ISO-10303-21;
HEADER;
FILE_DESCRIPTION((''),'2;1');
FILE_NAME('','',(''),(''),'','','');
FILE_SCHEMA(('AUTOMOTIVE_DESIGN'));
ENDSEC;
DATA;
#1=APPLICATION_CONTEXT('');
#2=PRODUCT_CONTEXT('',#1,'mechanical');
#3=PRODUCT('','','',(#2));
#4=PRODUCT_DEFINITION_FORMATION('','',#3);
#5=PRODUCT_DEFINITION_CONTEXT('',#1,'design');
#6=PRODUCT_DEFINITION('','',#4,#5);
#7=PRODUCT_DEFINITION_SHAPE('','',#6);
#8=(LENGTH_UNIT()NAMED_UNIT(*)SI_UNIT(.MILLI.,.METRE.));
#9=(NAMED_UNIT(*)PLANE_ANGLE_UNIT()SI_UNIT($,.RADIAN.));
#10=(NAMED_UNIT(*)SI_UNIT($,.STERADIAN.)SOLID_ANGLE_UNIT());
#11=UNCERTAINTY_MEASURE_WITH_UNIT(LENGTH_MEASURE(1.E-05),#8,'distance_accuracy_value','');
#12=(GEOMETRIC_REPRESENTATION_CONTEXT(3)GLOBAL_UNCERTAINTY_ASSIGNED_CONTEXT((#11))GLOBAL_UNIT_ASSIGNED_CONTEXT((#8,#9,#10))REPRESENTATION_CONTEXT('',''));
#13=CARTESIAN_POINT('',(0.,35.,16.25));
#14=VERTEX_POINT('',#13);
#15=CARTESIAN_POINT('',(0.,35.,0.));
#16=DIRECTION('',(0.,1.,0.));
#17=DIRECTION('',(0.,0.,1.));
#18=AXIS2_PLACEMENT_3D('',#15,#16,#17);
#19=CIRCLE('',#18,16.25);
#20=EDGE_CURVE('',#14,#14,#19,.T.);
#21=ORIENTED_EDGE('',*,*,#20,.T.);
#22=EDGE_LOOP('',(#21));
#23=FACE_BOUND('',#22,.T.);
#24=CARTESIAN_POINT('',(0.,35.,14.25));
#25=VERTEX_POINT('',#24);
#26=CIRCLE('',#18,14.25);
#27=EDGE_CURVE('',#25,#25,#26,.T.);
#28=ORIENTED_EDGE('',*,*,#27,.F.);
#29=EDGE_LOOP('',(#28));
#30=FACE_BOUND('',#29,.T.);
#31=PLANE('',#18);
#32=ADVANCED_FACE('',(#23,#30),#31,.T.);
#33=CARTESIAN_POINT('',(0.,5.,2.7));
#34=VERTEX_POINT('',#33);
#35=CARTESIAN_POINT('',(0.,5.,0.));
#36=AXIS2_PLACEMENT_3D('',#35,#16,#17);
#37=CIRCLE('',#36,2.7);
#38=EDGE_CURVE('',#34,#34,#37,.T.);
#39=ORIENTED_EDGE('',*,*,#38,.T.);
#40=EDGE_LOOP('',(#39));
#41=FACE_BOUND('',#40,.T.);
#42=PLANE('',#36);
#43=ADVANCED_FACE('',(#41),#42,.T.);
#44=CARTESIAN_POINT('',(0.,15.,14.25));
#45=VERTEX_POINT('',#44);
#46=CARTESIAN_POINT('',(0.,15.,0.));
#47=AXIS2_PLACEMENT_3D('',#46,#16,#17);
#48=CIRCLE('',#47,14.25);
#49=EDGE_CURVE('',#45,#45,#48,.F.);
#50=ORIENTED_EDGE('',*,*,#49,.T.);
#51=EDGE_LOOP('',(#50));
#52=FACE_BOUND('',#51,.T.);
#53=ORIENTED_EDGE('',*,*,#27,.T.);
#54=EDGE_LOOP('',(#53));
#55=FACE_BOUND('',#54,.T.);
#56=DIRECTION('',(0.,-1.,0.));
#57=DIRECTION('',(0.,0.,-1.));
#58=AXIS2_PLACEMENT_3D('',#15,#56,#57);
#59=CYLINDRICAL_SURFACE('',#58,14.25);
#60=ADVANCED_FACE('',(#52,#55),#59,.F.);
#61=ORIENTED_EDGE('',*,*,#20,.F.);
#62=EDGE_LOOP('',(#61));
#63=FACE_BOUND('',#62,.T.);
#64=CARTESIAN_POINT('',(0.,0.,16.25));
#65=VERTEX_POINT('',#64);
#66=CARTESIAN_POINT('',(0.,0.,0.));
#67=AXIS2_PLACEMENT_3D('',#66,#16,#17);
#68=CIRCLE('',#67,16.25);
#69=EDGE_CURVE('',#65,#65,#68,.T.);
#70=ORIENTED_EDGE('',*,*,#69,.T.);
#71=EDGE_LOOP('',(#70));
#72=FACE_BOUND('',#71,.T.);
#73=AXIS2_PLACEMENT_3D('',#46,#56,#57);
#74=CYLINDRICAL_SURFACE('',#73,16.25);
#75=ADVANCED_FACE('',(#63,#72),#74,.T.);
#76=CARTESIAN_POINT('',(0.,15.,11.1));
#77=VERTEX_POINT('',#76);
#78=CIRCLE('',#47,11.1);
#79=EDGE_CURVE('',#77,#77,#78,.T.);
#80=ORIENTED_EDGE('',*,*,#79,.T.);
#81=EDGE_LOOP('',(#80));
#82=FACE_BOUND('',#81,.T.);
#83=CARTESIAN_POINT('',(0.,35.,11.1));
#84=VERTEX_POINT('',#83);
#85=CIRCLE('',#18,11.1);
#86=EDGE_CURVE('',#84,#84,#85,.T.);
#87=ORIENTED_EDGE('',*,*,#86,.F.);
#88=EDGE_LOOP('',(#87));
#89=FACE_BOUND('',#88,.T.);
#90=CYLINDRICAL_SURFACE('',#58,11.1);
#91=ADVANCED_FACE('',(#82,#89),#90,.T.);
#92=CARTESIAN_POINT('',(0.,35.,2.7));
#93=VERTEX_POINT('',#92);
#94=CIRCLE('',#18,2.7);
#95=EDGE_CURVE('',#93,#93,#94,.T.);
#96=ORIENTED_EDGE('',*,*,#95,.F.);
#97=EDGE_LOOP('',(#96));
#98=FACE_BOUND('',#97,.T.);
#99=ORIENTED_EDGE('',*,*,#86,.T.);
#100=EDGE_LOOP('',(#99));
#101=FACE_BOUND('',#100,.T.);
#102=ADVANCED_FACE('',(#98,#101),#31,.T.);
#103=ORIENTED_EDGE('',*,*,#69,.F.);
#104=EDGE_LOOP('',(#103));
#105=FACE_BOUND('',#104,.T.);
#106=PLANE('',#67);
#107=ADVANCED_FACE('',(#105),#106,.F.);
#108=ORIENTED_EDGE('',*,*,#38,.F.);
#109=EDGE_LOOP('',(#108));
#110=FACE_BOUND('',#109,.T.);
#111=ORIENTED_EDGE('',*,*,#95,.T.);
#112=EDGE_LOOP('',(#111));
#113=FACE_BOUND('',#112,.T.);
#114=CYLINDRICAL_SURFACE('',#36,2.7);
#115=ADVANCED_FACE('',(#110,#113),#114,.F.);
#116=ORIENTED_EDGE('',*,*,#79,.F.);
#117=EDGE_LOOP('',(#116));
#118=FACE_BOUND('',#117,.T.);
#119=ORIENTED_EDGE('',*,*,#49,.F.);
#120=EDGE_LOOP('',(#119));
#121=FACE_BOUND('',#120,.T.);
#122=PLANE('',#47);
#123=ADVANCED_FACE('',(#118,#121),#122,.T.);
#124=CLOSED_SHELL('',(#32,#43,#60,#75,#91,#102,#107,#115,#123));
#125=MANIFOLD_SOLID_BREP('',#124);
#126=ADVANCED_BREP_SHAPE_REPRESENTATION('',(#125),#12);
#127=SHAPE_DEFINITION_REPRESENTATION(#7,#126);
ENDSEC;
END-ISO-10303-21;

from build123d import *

# Parameters (mm, degrees)
SKETCH1_R           = 16.25
BOSS_EXTRUDE1_DEPTH = 15
SKETCH2_R           = 11.1
BOSS_EXTRUDE2_DEPTH = 20
SKETCH3_R           = 16.25
SKETCH3_R_2         = 14.25
BOSS_EXTRUDE4_DEPTH = 20
SKETCH4_R           = 2.7
CUT_EXTRUDE1_DEPTH  = 30


with BuildPart() as part:
    # Sketch1 → Boss-Extrude1 (new body)
    with BuildSketch(Plane(origin=(0, 0, 0), x_dir=(1, 0, 0), z_dir=(0, 1, 0))):
        with Locations(Location((0, 0, 0), (0, 0, 270))):
            Circle(SKETCH1_R)
    extrude(amount=BOSS_EXTRUDE1_DEPTH)

    # Sketch2 → Boss-Extrude2 (add)
    with BuildSketch(Plane(origin=(0, 15, 0), x_dir=(1, 0, 0), z_dir=(0, 1, 0))):
        with Locations(Location((0, 0, 0), (0, 0, 270))):
            Circle(SKETCH2_R)
    extrude(amount=BOSS_EXTRUDE2_DEPTH)

    # Sketch3 → Boss-Extrude4 (add)
    with BuildSketch(Plane(origin=(0, 15, 0), x_dir=(1, 0, 0), z_dir=(0, 1, 0))):
        with Locations(Location((0, 0, 0), (0, 0, 270))):
            Circle(SKETCH3_R)
        with Locations(Location((0, 0, 0), (0, 0, 270))):
            Circle(SKETCH3_R_2, mode=Mode.SUBTRACT)
    extrude(amount=BOSS_EXTRUDE4_DEPTH)

    # Sketch4 → Cut-Extrude1 (cut)
    with BuildSketch(Plane(origin=(0, 35, 0), x_dir=(1, 0, 0), z_dir=(0, 1, 0))):
        with Locations(Location((0, 0, 0), (0, 0, 270))):
            Circle(SKETCH4_R)
    extrude(amount=-CUT_EXTRUDE1_DEPTH, mode=Mode.SUBTRACT)


solid = part.part
